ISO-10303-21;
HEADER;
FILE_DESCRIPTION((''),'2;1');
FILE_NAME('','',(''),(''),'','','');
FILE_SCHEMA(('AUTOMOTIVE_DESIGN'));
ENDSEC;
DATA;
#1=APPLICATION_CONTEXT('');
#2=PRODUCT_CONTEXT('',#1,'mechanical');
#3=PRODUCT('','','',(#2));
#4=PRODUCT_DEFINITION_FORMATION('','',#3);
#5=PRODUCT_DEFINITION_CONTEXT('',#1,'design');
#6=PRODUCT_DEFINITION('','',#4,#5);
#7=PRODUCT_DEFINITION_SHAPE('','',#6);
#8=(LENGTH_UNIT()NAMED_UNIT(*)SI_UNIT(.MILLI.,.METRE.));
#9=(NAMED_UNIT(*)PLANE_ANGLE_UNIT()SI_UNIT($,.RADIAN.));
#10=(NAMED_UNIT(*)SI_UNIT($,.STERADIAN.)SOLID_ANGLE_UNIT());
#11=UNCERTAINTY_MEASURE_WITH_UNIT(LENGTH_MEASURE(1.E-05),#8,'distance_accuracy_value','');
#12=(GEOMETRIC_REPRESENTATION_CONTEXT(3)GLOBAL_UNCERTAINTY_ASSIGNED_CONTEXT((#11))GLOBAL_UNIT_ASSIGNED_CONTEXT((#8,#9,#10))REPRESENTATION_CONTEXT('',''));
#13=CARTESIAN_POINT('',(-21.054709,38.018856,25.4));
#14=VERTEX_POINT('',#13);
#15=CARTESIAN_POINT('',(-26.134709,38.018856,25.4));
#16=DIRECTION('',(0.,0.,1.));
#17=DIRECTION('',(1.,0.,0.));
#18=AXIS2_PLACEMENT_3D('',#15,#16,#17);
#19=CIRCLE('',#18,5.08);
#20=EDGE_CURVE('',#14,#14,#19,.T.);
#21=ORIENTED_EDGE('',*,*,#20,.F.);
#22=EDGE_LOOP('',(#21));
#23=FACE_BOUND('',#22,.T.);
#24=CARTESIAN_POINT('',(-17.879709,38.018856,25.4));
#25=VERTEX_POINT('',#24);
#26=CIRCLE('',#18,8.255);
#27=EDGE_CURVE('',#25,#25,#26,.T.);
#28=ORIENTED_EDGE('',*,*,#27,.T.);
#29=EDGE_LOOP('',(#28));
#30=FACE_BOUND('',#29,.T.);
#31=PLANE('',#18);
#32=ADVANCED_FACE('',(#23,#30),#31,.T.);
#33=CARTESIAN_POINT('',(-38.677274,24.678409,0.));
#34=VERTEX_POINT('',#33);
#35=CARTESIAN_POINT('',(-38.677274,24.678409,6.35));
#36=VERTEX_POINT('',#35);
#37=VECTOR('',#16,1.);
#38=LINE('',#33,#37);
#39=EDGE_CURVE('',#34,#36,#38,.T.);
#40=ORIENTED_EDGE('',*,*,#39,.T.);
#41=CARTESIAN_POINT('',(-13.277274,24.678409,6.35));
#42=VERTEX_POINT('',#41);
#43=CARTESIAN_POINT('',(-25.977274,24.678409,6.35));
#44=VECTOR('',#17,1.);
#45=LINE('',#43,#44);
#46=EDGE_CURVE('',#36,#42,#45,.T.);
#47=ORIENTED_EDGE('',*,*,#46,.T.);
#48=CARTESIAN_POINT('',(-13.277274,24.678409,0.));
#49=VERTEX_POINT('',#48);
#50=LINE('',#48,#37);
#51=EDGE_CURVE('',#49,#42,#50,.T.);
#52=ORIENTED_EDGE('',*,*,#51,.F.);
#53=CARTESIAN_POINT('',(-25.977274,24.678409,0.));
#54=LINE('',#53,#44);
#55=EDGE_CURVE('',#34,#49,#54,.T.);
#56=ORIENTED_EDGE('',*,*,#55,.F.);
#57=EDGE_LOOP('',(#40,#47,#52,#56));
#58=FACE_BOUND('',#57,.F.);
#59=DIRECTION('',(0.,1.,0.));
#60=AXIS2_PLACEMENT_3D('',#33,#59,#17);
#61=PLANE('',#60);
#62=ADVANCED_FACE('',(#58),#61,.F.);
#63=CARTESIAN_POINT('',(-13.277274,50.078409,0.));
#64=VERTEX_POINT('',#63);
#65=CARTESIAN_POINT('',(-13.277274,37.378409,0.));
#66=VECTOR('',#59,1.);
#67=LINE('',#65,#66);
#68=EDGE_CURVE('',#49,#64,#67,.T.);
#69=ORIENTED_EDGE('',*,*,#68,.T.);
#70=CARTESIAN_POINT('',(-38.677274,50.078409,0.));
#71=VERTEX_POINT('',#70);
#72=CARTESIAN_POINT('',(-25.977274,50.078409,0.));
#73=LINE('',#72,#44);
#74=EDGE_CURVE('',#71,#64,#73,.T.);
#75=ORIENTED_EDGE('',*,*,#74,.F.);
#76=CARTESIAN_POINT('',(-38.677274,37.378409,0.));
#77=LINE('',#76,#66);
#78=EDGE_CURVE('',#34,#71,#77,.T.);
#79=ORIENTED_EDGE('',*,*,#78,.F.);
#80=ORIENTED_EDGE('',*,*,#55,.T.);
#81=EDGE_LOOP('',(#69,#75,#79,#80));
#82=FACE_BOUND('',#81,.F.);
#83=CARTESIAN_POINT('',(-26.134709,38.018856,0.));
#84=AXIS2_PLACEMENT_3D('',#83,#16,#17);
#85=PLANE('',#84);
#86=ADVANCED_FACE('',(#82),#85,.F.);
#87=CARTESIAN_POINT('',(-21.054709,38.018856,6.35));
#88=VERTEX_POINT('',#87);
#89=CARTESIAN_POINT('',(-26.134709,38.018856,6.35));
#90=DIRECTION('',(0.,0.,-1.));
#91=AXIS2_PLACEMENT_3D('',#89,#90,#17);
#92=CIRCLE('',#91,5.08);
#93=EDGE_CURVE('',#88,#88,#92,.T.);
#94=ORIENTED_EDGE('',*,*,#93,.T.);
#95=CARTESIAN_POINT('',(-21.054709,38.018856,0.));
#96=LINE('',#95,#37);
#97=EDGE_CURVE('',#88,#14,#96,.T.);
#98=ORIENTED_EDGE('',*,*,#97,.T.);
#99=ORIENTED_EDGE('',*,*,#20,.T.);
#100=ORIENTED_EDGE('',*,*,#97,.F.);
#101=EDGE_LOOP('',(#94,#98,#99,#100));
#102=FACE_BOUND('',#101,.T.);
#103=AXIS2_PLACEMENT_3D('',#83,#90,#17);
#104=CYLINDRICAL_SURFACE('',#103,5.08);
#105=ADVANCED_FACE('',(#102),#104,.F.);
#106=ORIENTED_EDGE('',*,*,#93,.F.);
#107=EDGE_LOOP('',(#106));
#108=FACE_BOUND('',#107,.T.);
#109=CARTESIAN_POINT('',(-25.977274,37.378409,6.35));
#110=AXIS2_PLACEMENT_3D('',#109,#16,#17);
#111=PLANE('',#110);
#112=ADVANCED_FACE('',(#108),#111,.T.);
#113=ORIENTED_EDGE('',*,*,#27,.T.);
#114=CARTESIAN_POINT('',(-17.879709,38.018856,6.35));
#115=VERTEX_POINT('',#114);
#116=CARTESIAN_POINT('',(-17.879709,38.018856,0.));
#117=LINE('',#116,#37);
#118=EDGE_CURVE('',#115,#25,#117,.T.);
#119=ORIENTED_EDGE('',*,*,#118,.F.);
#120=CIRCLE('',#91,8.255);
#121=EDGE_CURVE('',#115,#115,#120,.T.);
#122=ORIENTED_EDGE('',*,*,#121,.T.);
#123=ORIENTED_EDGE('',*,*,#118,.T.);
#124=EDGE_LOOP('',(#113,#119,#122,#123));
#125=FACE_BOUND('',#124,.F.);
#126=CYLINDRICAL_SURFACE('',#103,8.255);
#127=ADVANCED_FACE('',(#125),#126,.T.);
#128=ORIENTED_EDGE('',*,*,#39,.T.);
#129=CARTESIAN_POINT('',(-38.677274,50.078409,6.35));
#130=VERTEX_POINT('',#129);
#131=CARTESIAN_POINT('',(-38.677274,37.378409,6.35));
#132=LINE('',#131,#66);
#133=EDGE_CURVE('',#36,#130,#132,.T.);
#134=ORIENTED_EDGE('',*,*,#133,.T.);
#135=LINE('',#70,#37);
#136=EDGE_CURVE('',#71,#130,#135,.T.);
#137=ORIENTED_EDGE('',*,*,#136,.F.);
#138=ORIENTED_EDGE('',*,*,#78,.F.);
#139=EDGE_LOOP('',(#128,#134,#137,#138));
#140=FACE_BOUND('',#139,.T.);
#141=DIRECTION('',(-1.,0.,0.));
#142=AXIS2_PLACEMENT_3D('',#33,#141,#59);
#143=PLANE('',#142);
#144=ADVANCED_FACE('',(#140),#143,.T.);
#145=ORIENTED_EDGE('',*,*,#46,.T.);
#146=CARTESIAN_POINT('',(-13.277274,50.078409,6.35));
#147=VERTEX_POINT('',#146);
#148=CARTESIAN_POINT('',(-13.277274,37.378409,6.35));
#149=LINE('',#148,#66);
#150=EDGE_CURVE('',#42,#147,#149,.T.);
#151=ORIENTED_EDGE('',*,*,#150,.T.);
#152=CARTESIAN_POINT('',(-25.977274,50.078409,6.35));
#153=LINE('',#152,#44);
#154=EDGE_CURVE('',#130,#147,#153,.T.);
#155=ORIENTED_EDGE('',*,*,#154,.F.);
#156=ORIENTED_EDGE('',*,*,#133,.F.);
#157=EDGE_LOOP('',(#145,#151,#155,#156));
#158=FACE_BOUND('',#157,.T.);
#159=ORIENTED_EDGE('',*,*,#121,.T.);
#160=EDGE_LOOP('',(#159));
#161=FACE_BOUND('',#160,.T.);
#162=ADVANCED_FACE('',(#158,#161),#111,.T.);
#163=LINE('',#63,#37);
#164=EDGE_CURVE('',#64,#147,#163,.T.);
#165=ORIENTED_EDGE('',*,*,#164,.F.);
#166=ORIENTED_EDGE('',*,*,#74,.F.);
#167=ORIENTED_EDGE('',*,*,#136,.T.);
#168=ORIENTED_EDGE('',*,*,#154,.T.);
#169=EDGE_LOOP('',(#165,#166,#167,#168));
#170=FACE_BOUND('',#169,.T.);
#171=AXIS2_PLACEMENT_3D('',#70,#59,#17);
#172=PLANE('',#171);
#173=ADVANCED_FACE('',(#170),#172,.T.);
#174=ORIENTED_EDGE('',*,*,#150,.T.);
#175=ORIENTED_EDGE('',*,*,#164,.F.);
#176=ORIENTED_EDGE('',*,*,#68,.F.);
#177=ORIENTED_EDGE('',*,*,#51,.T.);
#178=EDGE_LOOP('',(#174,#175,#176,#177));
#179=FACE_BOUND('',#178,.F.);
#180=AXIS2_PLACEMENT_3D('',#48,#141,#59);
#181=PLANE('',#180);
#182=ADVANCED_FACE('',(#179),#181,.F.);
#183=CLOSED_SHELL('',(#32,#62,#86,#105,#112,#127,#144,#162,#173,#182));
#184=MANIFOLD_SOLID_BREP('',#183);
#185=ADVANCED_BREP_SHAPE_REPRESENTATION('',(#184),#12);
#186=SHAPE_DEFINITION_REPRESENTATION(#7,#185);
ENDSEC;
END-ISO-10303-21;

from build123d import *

# Parameters (mm, degrees)
F0_W     = 25.4
F0_H     = 25.4
F1_DEPTH = 6.35
F2_R     = 8.255
F2_R_2   = 5.08
F3_DEPTH = 25.4


with BuildPart() as f1:
    # F0 (on Top) → F1 (new body)
    with BuildSketch(Plane.XY):
        with Locations((-25.977274, 37.378409)):
            Rectangle(F0_W, F0_H)
    extrude(amount=F1_DEPTH)

    # F2 (on Top) → F3 (join)
    with BuildSketch(Plane.XY):
        with Locations((-26.134709, 38.018856)):
            Circle(F2_R)
        with Locations((-26.134709, 38.018856)):
            Circle(F2_R_2, mode=Mode.SUBTRACT)
    extrude(amount=F3_DEPTH)


solid = f1.part
